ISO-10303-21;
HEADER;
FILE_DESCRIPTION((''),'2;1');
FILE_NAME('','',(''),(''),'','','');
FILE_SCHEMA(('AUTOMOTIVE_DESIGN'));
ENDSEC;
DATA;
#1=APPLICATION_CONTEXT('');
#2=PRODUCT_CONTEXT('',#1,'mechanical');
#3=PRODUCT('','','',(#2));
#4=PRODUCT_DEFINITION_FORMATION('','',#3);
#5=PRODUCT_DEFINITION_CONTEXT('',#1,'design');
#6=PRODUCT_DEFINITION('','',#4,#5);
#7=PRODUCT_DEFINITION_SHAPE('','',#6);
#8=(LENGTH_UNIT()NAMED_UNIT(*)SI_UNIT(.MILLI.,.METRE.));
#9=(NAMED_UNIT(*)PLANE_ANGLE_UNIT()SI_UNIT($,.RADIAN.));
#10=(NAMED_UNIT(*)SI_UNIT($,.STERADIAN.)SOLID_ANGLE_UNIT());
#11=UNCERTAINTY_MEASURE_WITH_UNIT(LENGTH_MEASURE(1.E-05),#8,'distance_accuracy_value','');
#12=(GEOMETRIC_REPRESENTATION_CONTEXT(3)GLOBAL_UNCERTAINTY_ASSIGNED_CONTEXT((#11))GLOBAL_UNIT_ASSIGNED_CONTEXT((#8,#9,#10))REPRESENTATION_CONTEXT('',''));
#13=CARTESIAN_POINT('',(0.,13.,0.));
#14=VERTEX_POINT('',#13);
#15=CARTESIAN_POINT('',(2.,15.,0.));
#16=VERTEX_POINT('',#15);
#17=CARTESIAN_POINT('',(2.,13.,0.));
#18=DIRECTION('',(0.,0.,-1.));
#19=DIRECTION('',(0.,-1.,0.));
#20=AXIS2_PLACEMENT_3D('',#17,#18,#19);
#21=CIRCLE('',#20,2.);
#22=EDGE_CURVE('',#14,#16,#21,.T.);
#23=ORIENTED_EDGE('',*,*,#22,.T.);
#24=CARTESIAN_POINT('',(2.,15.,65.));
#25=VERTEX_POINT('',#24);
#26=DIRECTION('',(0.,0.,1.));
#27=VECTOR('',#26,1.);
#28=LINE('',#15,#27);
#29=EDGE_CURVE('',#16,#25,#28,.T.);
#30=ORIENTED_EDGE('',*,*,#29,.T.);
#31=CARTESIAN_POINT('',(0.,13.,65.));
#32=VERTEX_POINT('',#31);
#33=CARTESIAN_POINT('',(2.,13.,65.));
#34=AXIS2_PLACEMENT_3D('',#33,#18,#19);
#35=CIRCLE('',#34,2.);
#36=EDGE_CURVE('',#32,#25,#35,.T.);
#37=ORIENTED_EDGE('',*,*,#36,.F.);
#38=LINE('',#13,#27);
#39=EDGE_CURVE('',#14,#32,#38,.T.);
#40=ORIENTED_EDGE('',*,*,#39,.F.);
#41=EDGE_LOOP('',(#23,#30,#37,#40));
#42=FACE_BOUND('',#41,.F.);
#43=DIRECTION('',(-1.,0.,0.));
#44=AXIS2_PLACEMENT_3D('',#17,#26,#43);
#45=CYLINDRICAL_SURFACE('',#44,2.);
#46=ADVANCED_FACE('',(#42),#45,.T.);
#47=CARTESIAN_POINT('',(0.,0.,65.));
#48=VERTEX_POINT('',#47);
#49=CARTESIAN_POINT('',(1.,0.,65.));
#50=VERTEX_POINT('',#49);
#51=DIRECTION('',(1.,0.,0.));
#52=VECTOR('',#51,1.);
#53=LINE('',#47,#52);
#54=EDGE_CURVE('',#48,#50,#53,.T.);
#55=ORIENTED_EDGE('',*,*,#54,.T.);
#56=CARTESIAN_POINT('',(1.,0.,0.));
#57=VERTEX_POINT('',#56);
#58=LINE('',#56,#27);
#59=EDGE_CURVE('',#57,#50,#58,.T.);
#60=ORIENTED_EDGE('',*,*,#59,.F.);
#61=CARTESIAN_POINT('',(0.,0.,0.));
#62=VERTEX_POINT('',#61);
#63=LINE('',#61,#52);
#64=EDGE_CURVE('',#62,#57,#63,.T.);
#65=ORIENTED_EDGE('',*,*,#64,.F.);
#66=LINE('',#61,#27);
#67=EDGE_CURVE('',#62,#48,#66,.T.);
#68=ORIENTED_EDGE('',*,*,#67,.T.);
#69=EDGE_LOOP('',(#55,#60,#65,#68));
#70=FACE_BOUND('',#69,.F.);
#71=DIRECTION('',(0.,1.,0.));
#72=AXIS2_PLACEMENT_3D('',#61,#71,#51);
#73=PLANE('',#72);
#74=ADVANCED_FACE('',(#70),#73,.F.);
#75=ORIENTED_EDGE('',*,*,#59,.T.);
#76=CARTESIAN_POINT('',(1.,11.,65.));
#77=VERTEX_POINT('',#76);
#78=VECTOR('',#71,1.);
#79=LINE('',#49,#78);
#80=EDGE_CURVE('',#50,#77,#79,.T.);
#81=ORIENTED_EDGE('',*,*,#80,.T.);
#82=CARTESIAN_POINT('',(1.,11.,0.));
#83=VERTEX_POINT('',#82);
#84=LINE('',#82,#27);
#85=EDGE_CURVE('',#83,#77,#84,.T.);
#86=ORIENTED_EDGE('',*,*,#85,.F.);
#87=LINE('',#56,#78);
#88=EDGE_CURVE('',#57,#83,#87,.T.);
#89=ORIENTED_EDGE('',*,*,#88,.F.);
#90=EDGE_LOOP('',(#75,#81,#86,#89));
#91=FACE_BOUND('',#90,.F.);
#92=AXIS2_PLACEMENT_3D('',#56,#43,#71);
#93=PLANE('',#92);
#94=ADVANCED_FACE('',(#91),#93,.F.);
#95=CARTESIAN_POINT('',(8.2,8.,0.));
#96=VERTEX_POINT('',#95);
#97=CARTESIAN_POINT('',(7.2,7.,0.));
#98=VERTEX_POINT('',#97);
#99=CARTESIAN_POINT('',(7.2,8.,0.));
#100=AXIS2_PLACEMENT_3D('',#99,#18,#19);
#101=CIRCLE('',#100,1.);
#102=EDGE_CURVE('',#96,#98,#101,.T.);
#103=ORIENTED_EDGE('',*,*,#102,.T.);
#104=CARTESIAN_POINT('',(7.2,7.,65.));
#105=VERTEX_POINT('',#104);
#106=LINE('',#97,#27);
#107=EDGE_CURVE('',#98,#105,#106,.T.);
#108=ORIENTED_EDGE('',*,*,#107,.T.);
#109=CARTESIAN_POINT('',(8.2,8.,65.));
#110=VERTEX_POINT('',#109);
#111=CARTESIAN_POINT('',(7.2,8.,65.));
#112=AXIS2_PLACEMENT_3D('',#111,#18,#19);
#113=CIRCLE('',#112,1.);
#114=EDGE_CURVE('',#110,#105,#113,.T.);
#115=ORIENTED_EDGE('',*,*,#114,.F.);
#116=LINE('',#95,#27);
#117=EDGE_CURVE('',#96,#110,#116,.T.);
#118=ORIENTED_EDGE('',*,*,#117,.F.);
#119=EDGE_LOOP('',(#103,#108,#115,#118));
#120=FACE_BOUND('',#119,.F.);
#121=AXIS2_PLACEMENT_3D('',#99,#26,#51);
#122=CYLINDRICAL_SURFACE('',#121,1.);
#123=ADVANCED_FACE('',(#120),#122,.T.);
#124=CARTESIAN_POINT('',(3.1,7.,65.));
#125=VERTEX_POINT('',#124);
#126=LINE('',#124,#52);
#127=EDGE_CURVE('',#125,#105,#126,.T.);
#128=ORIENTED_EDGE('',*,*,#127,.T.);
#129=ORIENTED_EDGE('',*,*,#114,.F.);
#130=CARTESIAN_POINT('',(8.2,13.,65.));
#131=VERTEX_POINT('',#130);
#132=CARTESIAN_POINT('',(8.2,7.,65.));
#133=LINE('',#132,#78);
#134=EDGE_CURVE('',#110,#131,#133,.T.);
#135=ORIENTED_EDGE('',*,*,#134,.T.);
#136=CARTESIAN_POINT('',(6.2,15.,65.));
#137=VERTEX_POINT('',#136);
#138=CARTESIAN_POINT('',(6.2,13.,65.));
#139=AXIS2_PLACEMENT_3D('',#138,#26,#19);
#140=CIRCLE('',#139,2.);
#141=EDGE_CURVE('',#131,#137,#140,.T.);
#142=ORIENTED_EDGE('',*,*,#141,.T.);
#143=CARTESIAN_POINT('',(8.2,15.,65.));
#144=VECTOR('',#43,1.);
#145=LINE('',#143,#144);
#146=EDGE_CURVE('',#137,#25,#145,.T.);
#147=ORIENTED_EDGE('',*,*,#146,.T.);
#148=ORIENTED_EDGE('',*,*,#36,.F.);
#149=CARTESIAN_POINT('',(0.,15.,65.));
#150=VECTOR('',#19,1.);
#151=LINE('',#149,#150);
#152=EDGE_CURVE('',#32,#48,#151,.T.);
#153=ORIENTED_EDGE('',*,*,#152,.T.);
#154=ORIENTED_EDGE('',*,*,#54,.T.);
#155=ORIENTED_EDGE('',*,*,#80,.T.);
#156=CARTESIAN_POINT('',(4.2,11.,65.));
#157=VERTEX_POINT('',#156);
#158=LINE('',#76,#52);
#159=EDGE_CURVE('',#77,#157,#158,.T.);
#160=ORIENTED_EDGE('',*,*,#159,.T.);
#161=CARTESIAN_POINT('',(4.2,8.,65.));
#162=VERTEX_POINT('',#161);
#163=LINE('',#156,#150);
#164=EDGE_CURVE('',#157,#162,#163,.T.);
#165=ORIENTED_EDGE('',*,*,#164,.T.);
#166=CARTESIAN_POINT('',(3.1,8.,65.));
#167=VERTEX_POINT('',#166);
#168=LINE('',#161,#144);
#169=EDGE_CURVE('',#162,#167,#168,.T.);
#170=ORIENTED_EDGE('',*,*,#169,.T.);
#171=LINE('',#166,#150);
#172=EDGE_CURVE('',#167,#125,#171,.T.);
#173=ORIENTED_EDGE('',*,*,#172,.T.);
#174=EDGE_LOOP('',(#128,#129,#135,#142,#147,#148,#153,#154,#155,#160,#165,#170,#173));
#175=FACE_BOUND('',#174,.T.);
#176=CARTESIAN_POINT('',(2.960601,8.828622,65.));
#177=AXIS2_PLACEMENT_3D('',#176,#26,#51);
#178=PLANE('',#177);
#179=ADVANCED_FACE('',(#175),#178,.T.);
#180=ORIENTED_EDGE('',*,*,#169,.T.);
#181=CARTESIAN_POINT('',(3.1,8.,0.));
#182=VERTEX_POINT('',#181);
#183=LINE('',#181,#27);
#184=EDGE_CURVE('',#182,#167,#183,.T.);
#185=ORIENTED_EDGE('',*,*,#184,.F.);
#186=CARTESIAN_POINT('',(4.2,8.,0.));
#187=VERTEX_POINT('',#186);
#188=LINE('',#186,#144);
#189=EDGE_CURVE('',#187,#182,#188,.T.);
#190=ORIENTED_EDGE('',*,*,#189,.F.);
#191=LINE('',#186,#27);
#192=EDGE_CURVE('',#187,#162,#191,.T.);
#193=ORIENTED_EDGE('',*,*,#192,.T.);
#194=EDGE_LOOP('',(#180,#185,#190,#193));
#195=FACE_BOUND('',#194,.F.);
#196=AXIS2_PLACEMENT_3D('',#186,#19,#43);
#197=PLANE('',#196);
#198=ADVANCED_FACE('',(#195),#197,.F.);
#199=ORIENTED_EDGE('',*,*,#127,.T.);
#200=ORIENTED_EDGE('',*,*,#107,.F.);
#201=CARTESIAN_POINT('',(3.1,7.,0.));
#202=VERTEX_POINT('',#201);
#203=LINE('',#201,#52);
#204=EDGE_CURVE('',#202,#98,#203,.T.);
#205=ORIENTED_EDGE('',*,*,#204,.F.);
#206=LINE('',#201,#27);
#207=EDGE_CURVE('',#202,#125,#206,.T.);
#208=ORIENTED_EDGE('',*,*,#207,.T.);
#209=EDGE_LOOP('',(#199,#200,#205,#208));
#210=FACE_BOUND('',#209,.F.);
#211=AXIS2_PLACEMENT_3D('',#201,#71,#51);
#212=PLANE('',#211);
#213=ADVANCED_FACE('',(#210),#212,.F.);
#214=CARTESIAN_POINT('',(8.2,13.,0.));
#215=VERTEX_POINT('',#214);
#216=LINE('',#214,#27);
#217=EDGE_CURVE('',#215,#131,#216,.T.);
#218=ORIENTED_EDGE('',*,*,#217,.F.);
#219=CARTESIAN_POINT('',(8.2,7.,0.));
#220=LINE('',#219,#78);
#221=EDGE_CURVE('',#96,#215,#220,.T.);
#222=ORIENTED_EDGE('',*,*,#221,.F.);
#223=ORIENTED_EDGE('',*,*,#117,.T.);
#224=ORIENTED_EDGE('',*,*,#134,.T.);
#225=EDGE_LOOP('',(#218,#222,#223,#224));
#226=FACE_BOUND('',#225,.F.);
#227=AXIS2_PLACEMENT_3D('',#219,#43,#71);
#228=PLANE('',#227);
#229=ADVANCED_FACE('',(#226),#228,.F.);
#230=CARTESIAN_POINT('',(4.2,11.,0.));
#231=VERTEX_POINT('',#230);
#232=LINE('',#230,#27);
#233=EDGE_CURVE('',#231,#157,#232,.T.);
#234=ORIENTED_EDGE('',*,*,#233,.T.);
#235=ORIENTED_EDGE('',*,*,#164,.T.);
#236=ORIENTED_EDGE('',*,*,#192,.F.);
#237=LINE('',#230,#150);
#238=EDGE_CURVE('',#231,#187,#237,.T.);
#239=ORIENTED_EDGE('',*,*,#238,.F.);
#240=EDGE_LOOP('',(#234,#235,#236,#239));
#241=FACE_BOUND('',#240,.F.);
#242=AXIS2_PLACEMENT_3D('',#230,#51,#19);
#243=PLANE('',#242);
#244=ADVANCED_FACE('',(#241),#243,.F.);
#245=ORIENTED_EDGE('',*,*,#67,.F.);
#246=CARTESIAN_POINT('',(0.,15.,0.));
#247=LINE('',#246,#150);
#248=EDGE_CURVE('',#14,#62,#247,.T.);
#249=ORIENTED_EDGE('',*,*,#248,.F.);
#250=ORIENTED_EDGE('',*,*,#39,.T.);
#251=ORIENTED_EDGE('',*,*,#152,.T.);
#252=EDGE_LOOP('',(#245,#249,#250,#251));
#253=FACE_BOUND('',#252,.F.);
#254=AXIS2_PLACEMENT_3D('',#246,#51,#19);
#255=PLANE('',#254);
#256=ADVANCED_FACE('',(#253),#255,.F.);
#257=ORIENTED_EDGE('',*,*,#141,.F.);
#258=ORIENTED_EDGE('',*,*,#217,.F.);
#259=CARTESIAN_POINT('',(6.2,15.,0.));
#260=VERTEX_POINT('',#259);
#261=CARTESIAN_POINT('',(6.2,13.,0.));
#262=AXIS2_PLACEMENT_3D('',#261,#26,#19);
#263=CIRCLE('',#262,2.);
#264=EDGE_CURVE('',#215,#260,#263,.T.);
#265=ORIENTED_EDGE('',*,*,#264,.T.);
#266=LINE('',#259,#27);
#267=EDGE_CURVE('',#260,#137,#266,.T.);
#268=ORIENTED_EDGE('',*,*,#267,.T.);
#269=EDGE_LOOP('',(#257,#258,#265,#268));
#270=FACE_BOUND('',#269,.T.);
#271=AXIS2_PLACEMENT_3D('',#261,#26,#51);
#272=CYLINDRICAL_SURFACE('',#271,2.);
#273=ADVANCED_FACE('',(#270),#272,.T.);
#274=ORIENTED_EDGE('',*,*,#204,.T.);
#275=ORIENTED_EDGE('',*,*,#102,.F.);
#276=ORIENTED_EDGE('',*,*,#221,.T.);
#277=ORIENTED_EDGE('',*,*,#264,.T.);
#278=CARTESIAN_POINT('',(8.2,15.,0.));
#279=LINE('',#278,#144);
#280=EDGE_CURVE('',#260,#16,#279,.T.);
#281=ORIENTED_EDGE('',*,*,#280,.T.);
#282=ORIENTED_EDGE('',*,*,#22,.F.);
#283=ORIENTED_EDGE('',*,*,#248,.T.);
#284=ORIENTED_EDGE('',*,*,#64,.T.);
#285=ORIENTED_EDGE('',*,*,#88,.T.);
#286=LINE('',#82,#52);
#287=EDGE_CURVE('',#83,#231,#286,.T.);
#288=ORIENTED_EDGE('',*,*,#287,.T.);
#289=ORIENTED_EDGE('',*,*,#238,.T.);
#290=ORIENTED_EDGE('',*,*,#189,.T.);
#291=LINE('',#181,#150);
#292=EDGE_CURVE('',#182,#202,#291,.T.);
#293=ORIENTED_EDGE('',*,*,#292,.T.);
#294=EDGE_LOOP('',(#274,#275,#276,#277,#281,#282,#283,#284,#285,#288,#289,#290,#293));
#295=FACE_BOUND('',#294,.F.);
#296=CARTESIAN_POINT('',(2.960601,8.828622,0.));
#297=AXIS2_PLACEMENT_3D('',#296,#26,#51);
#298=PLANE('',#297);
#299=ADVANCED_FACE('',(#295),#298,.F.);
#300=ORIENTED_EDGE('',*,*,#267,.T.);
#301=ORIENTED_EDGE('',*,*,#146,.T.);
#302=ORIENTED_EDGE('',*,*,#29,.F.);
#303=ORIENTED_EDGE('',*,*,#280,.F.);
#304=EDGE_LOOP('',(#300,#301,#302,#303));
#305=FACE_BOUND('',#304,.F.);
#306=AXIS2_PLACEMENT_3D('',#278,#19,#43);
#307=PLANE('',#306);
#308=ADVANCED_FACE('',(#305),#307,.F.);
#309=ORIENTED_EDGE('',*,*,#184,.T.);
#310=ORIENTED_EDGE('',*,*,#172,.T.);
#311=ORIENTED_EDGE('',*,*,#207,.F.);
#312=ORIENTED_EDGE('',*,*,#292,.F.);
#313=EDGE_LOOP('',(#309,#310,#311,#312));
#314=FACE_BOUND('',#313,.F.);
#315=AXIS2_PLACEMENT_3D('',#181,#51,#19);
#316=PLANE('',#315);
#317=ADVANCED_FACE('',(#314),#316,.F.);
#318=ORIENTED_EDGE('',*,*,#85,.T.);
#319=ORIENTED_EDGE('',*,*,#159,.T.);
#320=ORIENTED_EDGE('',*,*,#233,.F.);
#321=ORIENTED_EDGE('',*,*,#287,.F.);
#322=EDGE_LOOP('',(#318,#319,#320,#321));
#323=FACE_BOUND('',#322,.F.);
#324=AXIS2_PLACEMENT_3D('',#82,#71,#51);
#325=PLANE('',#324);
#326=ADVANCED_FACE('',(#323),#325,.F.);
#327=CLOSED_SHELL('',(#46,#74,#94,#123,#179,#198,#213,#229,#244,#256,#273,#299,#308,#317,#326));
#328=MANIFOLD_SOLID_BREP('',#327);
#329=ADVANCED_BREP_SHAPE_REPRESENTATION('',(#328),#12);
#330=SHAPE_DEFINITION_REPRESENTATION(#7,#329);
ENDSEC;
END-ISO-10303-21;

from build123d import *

# Parameters (mm, degrees)
F1_DEPTH = 65
F2_R     = 2
F3_R     = 1


with BuildPart() as f1:
    # F0 (on Top) → F1 (new body)
    with BuildSketch(Plane.XY):
        Polygon((0, 15), (0, 0), (1, 0), (1, 11), (4.2, 11), (4.2, 8), (3.1, 8), (3.1, 7), (4.2, 7), (8.2, 7), (8.2, 15), align=None)
    extrude(amount=F1_DEPTH)

    # F2
    f2_edges = [f1.edges().sort_by_distance(p)[0] for p in [
        (8.2, 15, 32.5),
        (0, 15, 32.5),
    ]]
    fillet(f2_edges, radius=F2_R)

    # F3
    f3_edges = [f1.edges().sort_by_distance(p)[0] for p in [
        (8.2, 7, 32.5),
    ]]
    fillet(f3_edges, radius=F3_R)


solid = f1.part
